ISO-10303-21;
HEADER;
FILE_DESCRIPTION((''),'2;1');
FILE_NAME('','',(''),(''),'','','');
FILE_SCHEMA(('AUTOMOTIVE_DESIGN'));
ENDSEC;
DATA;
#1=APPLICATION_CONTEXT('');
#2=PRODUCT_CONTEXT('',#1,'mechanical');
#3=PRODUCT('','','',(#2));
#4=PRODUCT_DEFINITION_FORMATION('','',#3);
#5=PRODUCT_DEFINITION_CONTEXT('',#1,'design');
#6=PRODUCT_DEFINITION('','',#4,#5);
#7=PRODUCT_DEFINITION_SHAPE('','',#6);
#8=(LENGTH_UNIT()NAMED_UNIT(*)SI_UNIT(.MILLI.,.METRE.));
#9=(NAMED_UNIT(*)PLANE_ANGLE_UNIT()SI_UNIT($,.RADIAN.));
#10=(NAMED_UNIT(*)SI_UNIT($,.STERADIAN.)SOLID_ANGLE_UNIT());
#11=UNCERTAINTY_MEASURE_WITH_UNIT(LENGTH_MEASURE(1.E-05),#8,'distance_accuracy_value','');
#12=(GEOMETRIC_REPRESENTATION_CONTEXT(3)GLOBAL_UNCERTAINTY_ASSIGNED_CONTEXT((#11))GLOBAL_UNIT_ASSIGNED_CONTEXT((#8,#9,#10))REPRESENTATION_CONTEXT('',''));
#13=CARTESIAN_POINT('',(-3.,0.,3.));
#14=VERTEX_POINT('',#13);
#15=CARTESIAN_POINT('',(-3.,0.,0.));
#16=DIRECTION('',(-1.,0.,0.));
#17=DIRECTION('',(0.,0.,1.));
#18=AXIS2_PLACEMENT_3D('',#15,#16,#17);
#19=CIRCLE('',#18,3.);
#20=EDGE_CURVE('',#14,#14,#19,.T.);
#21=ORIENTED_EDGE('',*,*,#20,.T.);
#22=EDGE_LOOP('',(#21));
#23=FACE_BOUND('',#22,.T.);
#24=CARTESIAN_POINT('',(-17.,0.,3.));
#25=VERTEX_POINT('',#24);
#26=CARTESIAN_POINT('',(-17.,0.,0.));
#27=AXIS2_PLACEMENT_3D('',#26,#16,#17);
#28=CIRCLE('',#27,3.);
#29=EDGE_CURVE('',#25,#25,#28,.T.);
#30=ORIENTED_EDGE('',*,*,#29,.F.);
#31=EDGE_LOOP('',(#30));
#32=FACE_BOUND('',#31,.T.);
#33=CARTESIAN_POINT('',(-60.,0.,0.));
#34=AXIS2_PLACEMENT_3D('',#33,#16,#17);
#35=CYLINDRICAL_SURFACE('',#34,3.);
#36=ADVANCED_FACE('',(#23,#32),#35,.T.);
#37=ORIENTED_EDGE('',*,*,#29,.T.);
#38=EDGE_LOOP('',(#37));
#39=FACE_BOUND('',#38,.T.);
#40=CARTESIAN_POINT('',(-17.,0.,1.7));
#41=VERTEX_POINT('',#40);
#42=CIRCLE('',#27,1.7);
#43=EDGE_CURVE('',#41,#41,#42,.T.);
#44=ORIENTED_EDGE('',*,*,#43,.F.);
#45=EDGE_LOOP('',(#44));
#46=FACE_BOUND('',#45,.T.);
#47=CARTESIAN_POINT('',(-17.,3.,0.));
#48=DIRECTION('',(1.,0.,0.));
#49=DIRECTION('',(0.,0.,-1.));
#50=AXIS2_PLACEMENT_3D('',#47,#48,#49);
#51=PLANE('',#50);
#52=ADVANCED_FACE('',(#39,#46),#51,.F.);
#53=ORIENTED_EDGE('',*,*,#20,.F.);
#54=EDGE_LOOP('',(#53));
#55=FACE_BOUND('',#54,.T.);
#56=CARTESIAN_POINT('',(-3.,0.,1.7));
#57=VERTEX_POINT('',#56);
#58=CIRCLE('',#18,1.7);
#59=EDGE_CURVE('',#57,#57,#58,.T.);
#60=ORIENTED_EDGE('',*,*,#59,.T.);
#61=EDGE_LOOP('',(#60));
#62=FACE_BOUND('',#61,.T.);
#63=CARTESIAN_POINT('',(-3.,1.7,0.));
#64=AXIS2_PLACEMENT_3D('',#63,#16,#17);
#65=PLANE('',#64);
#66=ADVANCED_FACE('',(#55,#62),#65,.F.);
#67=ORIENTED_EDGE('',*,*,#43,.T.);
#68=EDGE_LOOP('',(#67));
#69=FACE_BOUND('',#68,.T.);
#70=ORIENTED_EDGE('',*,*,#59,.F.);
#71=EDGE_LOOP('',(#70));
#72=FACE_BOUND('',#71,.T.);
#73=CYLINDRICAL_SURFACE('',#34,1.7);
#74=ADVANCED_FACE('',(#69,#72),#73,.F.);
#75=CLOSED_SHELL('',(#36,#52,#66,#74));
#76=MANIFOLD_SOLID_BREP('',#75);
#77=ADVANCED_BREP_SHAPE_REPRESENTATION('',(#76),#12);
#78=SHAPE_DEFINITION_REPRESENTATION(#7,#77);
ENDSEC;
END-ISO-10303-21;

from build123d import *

# Parameters (mm, degrees)
AXIAL_BLANK_PROFILE_W = 14
AXIAL_BLANK_PROFILE_H = 1.3


with BuildPart() as part:
    # Axial blank profile → Native revolved blank (revolve)
    with BuildSketch(Plane.XY, mode=Mode.PRIVATE) as native_revolved_blank_sk:
        with Locations((-10, 2.35)):
            Rectangle(AXIAL_BLANK_PROFILE_W, AXIAL_BLANK_PROFILE_H)
    revolve(native_revolved_blank_sk.sketch.rotate(Axis((-60, 0, 0), (1, 0, 0)), 90), axis=Axis((-60, 0, 0), (1, 0, 0)))


solid = part.part
